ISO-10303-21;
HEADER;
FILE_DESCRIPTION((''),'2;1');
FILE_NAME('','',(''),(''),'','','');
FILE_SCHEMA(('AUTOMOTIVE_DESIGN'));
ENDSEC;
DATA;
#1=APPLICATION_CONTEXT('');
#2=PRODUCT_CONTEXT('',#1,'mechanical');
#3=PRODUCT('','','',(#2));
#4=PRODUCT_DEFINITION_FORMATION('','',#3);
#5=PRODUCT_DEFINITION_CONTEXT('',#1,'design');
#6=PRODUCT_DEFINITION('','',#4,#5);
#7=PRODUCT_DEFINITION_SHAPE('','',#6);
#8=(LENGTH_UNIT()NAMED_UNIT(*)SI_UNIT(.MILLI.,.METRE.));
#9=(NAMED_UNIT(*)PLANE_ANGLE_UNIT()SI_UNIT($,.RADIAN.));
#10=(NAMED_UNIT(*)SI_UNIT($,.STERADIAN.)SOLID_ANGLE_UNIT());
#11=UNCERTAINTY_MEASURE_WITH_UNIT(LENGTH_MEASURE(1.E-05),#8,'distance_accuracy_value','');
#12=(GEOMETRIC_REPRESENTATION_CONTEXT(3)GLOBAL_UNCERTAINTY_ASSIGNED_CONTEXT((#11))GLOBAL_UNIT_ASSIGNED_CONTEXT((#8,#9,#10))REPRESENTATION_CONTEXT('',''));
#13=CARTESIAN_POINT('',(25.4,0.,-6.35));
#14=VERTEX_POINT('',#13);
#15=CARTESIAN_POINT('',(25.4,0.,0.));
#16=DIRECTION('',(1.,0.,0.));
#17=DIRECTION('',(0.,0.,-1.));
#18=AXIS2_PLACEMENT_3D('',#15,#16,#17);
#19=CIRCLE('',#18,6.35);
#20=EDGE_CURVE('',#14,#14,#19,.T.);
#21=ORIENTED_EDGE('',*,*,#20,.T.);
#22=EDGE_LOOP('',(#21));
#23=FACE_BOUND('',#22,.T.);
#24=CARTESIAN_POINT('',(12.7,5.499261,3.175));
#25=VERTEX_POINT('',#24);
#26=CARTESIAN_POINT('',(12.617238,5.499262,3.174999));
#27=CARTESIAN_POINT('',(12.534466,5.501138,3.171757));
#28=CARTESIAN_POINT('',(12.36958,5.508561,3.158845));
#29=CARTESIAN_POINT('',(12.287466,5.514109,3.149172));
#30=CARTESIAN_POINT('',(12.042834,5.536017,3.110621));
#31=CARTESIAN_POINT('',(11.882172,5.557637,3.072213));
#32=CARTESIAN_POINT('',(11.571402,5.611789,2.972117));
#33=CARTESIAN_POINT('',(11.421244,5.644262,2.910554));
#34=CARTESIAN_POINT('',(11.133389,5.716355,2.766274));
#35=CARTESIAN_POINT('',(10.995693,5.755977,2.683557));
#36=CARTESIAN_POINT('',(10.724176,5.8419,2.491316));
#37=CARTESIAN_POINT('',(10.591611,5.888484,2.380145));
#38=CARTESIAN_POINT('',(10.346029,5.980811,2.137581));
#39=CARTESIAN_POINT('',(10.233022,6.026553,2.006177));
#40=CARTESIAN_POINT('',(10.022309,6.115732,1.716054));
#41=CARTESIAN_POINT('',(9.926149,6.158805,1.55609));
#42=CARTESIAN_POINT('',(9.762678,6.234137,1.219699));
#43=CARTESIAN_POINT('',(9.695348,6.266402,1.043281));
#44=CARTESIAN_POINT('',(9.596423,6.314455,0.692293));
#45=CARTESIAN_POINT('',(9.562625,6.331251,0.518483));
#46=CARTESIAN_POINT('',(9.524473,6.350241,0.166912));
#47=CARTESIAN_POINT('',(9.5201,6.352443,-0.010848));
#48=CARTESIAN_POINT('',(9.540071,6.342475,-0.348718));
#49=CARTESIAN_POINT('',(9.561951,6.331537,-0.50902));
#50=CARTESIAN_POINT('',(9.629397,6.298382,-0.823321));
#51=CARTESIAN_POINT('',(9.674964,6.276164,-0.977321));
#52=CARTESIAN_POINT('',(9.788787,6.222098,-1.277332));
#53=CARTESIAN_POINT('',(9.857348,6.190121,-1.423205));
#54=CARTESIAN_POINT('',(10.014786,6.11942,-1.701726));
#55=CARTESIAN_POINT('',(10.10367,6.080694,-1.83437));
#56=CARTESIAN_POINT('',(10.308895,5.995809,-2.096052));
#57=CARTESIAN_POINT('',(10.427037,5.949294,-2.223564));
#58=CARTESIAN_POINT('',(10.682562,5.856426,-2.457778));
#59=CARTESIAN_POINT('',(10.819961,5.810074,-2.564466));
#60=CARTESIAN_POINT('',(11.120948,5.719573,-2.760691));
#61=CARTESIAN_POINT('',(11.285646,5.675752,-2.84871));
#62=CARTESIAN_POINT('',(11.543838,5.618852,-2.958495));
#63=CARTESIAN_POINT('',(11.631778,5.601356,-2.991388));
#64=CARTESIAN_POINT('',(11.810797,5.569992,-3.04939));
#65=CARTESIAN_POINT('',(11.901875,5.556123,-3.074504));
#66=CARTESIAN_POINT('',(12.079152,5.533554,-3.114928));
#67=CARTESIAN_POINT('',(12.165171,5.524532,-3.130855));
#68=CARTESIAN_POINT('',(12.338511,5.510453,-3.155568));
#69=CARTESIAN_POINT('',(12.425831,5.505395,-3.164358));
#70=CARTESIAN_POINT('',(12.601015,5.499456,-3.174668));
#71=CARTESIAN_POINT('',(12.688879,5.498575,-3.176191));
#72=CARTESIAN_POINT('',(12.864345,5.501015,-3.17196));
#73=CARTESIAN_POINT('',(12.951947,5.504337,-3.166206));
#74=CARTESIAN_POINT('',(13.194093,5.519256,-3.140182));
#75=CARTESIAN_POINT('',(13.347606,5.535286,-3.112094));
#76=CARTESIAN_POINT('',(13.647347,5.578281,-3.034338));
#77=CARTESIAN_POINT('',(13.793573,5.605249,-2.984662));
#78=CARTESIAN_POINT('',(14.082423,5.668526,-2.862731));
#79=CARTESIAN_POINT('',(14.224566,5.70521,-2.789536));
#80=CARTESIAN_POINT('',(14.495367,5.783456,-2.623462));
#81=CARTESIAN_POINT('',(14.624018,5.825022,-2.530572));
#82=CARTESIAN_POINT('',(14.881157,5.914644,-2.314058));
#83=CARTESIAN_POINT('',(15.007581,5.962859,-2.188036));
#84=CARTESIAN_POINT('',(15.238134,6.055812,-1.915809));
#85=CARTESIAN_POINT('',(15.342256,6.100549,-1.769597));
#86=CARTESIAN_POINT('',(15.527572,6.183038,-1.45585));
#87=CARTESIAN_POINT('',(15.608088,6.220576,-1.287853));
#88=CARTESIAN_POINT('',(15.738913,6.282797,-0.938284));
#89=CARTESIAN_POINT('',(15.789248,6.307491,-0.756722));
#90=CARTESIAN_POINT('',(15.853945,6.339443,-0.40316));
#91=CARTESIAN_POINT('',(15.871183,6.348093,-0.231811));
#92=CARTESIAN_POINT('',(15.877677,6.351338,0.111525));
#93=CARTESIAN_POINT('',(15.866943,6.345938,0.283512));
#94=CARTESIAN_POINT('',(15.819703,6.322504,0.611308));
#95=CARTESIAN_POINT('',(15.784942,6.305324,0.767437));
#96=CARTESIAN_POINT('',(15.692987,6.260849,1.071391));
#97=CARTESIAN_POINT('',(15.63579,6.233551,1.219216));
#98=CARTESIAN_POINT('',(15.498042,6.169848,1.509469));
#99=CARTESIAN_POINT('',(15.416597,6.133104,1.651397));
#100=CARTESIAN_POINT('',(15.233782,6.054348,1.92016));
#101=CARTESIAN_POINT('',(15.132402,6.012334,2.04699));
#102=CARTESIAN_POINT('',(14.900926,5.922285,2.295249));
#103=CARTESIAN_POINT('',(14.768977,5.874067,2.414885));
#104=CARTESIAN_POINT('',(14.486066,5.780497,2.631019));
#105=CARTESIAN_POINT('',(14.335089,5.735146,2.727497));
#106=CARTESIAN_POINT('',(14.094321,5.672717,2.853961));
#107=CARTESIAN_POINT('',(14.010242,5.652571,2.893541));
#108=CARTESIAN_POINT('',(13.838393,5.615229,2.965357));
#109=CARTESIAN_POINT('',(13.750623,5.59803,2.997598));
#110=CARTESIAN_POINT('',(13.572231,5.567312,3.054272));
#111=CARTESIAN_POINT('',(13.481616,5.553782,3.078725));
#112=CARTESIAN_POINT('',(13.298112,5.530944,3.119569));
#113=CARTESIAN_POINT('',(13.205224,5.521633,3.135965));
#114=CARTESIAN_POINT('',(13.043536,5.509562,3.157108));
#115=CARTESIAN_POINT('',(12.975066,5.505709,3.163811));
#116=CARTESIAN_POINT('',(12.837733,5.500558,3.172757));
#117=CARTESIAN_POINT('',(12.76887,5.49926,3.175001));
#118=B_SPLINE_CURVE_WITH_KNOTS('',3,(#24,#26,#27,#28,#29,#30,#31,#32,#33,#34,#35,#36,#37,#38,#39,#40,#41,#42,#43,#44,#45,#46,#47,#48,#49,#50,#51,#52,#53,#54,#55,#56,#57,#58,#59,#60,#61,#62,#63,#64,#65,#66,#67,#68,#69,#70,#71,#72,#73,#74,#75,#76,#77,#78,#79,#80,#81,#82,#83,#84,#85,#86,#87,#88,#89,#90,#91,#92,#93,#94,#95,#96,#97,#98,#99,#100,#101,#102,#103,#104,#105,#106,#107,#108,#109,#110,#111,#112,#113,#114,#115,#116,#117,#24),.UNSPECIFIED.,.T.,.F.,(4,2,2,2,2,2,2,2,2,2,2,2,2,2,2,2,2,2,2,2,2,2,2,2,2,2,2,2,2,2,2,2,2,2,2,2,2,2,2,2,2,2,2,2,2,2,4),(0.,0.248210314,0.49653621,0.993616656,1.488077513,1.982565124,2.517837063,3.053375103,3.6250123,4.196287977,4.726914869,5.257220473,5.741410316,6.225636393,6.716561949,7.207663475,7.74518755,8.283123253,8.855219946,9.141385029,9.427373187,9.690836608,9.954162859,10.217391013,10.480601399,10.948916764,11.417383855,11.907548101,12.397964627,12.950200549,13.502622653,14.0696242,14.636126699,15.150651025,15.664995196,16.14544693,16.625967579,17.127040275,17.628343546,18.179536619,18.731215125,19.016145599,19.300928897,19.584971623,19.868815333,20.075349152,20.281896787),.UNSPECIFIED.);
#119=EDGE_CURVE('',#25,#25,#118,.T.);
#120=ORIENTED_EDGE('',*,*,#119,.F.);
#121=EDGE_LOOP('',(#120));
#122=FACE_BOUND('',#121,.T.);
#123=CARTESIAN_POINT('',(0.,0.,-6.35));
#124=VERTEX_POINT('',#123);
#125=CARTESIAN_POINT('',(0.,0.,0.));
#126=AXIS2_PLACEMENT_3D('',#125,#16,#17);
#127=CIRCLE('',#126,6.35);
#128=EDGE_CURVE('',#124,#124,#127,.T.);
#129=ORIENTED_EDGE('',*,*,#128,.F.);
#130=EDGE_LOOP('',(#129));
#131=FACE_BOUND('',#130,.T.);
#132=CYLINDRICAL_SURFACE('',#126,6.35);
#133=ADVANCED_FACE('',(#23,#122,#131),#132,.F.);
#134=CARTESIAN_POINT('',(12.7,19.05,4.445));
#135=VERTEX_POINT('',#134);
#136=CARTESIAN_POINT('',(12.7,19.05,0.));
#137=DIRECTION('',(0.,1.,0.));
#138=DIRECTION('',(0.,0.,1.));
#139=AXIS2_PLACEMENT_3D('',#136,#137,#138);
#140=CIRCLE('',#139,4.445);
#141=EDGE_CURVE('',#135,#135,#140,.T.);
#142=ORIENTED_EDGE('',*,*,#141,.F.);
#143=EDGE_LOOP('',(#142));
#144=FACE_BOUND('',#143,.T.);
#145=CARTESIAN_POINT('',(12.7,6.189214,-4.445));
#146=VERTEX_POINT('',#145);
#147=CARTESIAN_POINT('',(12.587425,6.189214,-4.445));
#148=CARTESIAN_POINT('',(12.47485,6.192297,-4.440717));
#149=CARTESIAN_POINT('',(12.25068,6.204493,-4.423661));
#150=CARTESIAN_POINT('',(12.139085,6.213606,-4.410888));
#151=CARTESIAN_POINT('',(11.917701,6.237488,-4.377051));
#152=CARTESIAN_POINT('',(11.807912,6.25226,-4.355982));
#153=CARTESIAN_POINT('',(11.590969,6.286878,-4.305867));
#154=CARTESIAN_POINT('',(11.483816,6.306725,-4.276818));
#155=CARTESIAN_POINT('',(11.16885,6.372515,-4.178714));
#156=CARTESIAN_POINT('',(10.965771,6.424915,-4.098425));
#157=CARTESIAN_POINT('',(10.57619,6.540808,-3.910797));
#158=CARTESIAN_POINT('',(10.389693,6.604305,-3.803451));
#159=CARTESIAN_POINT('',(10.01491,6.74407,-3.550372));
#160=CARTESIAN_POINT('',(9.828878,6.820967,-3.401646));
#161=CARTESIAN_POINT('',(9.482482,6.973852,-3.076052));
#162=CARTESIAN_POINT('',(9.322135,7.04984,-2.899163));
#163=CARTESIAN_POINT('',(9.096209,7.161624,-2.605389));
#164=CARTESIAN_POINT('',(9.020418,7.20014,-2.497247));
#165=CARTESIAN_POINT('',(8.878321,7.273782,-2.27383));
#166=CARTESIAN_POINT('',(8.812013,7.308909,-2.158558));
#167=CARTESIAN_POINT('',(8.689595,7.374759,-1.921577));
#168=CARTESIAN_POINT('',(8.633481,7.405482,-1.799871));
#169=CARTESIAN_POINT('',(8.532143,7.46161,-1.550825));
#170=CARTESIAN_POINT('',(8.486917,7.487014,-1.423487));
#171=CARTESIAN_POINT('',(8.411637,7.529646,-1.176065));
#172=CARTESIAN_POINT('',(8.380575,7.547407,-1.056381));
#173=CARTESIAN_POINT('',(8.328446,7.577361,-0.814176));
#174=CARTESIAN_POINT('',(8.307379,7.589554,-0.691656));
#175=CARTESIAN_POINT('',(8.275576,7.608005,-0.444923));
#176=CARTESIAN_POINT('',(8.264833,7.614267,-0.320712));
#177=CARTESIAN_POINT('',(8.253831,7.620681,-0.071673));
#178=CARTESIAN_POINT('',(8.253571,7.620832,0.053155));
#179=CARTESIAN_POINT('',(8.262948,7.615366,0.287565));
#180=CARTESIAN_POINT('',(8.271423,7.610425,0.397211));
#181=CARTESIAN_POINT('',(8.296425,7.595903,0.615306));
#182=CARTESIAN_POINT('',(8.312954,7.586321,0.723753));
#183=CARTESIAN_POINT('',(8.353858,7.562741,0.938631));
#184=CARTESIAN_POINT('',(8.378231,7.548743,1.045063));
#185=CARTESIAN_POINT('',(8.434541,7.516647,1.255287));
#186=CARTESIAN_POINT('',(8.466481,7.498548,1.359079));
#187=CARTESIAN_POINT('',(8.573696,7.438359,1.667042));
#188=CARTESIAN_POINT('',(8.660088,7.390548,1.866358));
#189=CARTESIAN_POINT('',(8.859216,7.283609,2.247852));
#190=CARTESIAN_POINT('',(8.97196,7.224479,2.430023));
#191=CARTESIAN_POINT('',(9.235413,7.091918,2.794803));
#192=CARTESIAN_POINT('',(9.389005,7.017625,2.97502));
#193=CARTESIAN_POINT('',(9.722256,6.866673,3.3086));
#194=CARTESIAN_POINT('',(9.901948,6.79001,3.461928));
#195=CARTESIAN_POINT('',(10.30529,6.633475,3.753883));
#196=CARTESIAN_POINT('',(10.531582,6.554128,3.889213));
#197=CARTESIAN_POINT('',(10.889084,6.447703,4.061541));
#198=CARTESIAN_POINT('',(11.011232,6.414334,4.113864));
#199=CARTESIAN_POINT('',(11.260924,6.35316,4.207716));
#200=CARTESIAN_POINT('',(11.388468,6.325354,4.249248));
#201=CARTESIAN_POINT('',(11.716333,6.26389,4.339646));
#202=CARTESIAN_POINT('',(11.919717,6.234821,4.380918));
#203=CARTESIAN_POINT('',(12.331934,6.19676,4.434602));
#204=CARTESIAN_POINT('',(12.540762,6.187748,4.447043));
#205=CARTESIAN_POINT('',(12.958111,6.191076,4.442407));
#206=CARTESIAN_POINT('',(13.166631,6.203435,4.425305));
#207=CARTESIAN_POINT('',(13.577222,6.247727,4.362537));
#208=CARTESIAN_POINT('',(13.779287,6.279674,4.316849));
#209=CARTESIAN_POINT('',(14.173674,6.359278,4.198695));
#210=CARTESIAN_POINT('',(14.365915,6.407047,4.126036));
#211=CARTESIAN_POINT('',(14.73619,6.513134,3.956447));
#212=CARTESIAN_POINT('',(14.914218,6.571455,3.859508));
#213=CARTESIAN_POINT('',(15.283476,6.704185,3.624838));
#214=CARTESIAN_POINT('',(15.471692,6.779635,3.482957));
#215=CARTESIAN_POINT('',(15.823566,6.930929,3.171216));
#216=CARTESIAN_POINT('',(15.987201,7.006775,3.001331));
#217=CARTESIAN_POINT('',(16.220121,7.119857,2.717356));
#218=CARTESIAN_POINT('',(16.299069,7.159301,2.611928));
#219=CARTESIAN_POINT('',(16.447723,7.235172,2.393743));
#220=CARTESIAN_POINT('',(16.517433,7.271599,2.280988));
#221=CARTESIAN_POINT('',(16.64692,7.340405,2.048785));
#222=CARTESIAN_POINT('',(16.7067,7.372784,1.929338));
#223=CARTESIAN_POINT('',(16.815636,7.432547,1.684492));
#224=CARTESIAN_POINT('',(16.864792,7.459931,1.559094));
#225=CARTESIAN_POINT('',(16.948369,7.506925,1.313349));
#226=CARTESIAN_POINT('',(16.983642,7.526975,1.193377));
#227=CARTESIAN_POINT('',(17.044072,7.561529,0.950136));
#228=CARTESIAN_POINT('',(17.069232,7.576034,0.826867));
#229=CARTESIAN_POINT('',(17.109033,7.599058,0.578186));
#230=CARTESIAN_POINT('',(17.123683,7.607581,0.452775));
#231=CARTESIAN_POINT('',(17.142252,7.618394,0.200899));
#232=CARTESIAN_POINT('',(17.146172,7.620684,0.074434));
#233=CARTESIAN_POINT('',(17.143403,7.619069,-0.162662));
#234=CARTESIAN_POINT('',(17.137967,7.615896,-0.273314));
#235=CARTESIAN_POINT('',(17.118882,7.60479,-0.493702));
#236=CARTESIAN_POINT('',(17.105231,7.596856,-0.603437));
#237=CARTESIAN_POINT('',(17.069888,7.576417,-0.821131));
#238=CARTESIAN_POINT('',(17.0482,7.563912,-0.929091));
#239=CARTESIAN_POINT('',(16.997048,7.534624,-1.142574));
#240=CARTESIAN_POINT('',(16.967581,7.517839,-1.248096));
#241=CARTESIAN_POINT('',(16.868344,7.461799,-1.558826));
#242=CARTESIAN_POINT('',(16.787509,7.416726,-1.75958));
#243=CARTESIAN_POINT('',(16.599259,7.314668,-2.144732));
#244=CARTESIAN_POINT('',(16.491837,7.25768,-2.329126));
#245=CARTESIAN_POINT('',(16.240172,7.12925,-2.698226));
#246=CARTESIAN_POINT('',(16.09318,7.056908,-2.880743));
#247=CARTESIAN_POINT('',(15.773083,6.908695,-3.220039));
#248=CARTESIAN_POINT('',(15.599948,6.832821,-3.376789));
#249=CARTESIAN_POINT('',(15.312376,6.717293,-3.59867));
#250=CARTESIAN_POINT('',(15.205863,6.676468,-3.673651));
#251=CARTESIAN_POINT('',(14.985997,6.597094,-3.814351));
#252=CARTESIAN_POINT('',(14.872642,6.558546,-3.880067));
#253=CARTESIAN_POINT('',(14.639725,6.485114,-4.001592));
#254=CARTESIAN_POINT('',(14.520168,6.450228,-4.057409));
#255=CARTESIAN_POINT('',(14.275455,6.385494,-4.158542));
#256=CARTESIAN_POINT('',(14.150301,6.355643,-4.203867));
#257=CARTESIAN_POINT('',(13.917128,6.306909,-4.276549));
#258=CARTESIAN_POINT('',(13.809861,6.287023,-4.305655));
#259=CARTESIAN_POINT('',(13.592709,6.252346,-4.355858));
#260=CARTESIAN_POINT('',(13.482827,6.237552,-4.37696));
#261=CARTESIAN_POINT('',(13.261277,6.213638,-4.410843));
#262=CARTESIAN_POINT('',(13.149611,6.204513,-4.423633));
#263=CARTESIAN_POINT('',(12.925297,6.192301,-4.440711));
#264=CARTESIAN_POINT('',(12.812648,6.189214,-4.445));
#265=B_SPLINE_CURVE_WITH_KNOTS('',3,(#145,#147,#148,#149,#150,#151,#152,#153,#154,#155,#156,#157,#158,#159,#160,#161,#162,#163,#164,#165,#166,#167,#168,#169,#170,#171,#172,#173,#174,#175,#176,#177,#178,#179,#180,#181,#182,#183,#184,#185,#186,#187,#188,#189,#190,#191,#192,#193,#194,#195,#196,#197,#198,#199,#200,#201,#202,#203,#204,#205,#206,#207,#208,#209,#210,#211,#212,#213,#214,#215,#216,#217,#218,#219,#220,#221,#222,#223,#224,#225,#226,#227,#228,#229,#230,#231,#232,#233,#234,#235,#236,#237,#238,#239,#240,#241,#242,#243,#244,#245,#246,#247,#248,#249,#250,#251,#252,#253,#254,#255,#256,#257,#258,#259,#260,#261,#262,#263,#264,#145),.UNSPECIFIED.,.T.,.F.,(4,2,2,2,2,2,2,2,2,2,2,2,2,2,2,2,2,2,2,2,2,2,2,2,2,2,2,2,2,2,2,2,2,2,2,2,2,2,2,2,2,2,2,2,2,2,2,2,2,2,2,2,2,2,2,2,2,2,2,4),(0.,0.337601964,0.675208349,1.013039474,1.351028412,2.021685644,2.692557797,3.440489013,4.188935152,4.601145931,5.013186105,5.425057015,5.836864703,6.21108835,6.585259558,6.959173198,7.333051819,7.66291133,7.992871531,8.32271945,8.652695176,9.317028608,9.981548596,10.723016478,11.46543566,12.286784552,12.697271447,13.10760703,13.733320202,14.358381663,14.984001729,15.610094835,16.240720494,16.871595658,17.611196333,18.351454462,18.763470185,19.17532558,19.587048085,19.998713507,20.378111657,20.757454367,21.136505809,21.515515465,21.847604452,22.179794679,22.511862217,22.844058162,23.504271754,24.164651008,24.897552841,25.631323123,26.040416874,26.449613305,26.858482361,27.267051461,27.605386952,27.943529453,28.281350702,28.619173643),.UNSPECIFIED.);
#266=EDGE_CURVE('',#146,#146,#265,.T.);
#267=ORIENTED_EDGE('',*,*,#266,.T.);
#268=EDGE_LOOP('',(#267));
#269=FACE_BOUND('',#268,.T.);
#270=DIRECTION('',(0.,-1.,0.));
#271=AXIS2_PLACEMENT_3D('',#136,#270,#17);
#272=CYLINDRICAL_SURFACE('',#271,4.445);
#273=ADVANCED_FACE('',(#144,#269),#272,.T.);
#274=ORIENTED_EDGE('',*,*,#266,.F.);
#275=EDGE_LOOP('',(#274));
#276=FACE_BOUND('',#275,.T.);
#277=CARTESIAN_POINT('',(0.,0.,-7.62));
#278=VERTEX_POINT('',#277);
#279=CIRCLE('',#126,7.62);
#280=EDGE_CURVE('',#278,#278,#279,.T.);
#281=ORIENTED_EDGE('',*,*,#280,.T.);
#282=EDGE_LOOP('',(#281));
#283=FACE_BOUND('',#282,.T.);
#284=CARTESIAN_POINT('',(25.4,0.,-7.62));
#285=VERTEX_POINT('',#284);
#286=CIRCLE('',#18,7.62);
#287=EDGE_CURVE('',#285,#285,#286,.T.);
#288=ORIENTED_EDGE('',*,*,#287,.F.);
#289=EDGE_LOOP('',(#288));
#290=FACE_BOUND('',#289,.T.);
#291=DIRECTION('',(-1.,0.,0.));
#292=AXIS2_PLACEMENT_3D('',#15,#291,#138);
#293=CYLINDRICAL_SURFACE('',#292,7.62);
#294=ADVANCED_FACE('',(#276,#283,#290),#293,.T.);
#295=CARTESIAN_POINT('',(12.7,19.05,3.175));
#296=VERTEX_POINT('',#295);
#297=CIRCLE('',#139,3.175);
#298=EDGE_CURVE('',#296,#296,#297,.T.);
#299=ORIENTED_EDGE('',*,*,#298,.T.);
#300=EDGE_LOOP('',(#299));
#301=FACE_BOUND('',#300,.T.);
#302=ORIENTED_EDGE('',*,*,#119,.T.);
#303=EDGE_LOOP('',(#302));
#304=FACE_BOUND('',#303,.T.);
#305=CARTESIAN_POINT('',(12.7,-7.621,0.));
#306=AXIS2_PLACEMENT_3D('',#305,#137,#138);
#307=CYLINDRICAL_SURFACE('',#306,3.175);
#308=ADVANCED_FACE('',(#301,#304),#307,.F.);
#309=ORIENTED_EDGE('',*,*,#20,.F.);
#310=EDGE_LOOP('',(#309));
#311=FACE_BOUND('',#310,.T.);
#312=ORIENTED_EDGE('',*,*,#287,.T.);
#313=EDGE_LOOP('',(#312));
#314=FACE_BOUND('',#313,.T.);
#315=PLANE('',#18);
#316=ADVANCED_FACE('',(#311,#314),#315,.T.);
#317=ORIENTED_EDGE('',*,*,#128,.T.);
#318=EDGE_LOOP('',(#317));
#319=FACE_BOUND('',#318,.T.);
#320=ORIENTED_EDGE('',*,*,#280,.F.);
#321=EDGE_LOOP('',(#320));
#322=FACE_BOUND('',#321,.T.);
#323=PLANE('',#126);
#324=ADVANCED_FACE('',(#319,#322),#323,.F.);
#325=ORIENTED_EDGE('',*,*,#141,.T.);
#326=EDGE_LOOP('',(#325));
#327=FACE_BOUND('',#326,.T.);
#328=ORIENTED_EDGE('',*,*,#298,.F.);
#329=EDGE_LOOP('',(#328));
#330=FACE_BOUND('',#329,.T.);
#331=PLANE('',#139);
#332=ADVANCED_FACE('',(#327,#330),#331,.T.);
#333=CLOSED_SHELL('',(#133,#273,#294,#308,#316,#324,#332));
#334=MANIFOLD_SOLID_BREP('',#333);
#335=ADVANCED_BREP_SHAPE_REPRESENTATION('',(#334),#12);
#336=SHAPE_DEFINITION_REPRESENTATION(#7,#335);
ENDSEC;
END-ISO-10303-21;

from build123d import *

# Parameters (mm, degrees)
SKETCH1_R               = 7.62
BOSS_EXTRUDE1_DEPTH     = 25.4
SKETCH2_R               = 4.445
BOSS_EXTRUDE2_DEPTH     = 19.05
SKETCH3_R               = 6.35
CUT_EXTRUDE1_DEPTH      = 33.651598895
CUT_EXTRUDE2_REACH      = 39.61
CUT_EXTRUDE2_END_RADIUS = 6.35
SKETCH4_R               = 3.175


with BuildPart() as part:
    # Sketch1 → Boss-Extrude1 (new body)
    with BuildSketch(Plane(origin=(0, 0, 0), x_dir=(0, 0, -1), z_dir=(1, 0, 0))):
        Circle(SKETCH1_R)
    extrude(amount=BOSS_EXTRUDE1_DEPTH)

    # Sketch2 → Boss-Extrude2 (add)
    with BuildSketch(Plane(origin=(0, 0, 0), x_dir=(1, 0, 0), z_dir=(0, 1, 0))):
        with Locations(Location((12.7, 0, 0), (0, 0, 90))):
            Circle(SKETCH2_R)
    extrude(amount=BOSS_EXTRUDE2_DEPTH)

    # Sketch3 → Cut-Extrude1 (cut, through all)
    with BuildSketch(Plane(origin=(25.4, 0, 0), x_dir=(0, 0, -1), z_dir=(1, 0, 0))):
        Circle(SKETCH3_R)
    extrude(amount=-CUT_EXTRUDE1_DEPTH, mode=Mode.SUBTRACT)

    # Cut-Extrude2: up to this cylinder (the profile starts outside it)
    cut_extrude2_end = Plane(origin=(12.7, 0, 0), z_dir=(1, 0, 0)) * Cylinder(CUT_EXTRUDE2_END_RADIUS, 92.92, mode=Mode.PRIVATE)
    # Sketch4 → Cut-Extrude2 (cut, up to the surface)
    with BuildSketch(Plane(origin=(0, 19.05, 0), x_dir=(1, 0, 0), z_dir=(0, 1, 0)), mode=Mode.PRIVATE) as cut_extrude2_sk1:
        with Locations(Location((12.7, 0, 0), (0, 0, 270))):
            Circle(SKETCH4_R)
    cut_extrude2_tool1 = extrude(cut_extrude2_sk1.sketch, amount=-CUT_EXTRUDE2_REACH, mode=Mode.PRIVATE) - cut_extrude2_end
    add(cut_extrude2_tool1.solids().sort_by_distance((12.7, 19.05, 0))[0], mode=Mode.SUBTRACT)


solid = part.part
